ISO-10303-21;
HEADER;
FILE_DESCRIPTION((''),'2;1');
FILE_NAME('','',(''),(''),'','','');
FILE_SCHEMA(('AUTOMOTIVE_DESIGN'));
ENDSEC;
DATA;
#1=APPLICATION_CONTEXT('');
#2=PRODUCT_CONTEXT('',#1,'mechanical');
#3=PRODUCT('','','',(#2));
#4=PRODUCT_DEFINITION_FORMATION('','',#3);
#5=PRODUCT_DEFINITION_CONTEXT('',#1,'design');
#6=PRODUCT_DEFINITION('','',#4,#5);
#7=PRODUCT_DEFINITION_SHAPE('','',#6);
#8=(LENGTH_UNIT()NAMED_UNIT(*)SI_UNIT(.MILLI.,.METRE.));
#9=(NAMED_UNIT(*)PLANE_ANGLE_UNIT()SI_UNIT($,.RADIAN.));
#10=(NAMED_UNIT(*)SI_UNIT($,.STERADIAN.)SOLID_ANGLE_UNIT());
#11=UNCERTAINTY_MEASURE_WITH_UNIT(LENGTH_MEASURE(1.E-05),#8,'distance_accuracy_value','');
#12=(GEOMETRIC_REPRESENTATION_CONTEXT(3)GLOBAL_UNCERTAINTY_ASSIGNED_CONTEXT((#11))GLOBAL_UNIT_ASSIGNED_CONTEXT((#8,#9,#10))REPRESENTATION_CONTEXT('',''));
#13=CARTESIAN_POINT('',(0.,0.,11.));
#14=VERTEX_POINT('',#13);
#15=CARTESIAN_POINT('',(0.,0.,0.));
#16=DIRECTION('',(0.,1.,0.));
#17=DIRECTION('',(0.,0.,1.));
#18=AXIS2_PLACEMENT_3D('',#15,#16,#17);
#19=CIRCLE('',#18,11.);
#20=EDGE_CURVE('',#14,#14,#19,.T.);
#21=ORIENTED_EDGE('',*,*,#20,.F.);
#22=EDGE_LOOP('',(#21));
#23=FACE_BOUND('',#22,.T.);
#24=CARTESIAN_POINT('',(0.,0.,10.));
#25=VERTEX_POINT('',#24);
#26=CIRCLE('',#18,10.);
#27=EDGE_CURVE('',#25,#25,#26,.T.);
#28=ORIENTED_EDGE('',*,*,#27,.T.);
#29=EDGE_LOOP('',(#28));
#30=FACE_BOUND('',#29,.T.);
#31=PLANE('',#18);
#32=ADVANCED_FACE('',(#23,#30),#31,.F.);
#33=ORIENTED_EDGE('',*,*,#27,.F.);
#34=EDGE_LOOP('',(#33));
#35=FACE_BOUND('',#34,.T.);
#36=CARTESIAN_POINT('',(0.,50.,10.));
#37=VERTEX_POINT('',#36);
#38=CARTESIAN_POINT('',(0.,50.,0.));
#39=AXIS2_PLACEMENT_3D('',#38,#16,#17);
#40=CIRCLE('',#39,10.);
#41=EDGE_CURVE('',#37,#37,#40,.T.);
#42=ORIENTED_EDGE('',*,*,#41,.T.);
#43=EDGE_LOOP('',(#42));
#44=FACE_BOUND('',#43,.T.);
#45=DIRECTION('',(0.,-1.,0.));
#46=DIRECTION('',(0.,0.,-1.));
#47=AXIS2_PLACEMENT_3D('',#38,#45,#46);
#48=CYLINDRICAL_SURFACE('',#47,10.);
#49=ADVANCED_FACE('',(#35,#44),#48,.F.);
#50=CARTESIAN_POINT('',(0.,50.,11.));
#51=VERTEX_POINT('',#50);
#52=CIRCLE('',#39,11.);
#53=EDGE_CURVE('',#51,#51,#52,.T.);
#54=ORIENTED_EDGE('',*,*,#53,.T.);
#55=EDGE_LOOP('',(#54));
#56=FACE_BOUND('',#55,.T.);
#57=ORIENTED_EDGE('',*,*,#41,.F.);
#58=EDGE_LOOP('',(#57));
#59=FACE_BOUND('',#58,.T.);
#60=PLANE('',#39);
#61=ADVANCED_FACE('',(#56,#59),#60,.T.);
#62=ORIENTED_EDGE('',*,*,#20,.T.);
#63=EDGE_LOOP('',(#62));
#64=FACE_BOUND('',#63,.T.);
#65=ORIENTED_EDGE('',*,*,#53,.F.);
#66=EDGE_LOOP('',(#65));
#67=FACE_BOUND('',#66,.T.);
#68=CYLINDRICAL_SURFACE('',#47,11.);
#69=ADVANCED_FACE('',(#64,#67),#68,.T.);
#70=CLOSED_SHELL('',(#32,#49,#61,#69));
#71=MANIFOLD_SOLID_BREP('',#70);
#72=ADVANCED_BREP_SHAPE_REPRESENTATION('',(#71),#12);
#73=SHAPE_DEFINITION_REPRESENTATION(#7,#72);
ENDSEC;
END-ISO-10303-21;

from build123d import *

# Parameters (mm, degrees)
SKETCH1_R           = 11
SKETCH1_R_2         = 10
BOSS_EXTRUDE1_DEPTH = 50


with BuildPart() as part:
    # Sketch1 → Boss-Extrude1 (new body)
    with BuildSketch(Plane(origin=(0, 0, 0), x_dir=(1, 0, 0), z_dir=(0, 1, 0))):
        with Locations(Location((0, 0, 0), (0, 0, 270))):
            Circle(SKETCH1_R)
        with Locations(Location((0, 0, 0), (0, 0, 270))):
            Circle(SKETCH1_R_2, mode=Mode.SUBTRACT)
    extrude(amount=BOSS_EXTRUDE1_DEPTH)


solid = part.part
